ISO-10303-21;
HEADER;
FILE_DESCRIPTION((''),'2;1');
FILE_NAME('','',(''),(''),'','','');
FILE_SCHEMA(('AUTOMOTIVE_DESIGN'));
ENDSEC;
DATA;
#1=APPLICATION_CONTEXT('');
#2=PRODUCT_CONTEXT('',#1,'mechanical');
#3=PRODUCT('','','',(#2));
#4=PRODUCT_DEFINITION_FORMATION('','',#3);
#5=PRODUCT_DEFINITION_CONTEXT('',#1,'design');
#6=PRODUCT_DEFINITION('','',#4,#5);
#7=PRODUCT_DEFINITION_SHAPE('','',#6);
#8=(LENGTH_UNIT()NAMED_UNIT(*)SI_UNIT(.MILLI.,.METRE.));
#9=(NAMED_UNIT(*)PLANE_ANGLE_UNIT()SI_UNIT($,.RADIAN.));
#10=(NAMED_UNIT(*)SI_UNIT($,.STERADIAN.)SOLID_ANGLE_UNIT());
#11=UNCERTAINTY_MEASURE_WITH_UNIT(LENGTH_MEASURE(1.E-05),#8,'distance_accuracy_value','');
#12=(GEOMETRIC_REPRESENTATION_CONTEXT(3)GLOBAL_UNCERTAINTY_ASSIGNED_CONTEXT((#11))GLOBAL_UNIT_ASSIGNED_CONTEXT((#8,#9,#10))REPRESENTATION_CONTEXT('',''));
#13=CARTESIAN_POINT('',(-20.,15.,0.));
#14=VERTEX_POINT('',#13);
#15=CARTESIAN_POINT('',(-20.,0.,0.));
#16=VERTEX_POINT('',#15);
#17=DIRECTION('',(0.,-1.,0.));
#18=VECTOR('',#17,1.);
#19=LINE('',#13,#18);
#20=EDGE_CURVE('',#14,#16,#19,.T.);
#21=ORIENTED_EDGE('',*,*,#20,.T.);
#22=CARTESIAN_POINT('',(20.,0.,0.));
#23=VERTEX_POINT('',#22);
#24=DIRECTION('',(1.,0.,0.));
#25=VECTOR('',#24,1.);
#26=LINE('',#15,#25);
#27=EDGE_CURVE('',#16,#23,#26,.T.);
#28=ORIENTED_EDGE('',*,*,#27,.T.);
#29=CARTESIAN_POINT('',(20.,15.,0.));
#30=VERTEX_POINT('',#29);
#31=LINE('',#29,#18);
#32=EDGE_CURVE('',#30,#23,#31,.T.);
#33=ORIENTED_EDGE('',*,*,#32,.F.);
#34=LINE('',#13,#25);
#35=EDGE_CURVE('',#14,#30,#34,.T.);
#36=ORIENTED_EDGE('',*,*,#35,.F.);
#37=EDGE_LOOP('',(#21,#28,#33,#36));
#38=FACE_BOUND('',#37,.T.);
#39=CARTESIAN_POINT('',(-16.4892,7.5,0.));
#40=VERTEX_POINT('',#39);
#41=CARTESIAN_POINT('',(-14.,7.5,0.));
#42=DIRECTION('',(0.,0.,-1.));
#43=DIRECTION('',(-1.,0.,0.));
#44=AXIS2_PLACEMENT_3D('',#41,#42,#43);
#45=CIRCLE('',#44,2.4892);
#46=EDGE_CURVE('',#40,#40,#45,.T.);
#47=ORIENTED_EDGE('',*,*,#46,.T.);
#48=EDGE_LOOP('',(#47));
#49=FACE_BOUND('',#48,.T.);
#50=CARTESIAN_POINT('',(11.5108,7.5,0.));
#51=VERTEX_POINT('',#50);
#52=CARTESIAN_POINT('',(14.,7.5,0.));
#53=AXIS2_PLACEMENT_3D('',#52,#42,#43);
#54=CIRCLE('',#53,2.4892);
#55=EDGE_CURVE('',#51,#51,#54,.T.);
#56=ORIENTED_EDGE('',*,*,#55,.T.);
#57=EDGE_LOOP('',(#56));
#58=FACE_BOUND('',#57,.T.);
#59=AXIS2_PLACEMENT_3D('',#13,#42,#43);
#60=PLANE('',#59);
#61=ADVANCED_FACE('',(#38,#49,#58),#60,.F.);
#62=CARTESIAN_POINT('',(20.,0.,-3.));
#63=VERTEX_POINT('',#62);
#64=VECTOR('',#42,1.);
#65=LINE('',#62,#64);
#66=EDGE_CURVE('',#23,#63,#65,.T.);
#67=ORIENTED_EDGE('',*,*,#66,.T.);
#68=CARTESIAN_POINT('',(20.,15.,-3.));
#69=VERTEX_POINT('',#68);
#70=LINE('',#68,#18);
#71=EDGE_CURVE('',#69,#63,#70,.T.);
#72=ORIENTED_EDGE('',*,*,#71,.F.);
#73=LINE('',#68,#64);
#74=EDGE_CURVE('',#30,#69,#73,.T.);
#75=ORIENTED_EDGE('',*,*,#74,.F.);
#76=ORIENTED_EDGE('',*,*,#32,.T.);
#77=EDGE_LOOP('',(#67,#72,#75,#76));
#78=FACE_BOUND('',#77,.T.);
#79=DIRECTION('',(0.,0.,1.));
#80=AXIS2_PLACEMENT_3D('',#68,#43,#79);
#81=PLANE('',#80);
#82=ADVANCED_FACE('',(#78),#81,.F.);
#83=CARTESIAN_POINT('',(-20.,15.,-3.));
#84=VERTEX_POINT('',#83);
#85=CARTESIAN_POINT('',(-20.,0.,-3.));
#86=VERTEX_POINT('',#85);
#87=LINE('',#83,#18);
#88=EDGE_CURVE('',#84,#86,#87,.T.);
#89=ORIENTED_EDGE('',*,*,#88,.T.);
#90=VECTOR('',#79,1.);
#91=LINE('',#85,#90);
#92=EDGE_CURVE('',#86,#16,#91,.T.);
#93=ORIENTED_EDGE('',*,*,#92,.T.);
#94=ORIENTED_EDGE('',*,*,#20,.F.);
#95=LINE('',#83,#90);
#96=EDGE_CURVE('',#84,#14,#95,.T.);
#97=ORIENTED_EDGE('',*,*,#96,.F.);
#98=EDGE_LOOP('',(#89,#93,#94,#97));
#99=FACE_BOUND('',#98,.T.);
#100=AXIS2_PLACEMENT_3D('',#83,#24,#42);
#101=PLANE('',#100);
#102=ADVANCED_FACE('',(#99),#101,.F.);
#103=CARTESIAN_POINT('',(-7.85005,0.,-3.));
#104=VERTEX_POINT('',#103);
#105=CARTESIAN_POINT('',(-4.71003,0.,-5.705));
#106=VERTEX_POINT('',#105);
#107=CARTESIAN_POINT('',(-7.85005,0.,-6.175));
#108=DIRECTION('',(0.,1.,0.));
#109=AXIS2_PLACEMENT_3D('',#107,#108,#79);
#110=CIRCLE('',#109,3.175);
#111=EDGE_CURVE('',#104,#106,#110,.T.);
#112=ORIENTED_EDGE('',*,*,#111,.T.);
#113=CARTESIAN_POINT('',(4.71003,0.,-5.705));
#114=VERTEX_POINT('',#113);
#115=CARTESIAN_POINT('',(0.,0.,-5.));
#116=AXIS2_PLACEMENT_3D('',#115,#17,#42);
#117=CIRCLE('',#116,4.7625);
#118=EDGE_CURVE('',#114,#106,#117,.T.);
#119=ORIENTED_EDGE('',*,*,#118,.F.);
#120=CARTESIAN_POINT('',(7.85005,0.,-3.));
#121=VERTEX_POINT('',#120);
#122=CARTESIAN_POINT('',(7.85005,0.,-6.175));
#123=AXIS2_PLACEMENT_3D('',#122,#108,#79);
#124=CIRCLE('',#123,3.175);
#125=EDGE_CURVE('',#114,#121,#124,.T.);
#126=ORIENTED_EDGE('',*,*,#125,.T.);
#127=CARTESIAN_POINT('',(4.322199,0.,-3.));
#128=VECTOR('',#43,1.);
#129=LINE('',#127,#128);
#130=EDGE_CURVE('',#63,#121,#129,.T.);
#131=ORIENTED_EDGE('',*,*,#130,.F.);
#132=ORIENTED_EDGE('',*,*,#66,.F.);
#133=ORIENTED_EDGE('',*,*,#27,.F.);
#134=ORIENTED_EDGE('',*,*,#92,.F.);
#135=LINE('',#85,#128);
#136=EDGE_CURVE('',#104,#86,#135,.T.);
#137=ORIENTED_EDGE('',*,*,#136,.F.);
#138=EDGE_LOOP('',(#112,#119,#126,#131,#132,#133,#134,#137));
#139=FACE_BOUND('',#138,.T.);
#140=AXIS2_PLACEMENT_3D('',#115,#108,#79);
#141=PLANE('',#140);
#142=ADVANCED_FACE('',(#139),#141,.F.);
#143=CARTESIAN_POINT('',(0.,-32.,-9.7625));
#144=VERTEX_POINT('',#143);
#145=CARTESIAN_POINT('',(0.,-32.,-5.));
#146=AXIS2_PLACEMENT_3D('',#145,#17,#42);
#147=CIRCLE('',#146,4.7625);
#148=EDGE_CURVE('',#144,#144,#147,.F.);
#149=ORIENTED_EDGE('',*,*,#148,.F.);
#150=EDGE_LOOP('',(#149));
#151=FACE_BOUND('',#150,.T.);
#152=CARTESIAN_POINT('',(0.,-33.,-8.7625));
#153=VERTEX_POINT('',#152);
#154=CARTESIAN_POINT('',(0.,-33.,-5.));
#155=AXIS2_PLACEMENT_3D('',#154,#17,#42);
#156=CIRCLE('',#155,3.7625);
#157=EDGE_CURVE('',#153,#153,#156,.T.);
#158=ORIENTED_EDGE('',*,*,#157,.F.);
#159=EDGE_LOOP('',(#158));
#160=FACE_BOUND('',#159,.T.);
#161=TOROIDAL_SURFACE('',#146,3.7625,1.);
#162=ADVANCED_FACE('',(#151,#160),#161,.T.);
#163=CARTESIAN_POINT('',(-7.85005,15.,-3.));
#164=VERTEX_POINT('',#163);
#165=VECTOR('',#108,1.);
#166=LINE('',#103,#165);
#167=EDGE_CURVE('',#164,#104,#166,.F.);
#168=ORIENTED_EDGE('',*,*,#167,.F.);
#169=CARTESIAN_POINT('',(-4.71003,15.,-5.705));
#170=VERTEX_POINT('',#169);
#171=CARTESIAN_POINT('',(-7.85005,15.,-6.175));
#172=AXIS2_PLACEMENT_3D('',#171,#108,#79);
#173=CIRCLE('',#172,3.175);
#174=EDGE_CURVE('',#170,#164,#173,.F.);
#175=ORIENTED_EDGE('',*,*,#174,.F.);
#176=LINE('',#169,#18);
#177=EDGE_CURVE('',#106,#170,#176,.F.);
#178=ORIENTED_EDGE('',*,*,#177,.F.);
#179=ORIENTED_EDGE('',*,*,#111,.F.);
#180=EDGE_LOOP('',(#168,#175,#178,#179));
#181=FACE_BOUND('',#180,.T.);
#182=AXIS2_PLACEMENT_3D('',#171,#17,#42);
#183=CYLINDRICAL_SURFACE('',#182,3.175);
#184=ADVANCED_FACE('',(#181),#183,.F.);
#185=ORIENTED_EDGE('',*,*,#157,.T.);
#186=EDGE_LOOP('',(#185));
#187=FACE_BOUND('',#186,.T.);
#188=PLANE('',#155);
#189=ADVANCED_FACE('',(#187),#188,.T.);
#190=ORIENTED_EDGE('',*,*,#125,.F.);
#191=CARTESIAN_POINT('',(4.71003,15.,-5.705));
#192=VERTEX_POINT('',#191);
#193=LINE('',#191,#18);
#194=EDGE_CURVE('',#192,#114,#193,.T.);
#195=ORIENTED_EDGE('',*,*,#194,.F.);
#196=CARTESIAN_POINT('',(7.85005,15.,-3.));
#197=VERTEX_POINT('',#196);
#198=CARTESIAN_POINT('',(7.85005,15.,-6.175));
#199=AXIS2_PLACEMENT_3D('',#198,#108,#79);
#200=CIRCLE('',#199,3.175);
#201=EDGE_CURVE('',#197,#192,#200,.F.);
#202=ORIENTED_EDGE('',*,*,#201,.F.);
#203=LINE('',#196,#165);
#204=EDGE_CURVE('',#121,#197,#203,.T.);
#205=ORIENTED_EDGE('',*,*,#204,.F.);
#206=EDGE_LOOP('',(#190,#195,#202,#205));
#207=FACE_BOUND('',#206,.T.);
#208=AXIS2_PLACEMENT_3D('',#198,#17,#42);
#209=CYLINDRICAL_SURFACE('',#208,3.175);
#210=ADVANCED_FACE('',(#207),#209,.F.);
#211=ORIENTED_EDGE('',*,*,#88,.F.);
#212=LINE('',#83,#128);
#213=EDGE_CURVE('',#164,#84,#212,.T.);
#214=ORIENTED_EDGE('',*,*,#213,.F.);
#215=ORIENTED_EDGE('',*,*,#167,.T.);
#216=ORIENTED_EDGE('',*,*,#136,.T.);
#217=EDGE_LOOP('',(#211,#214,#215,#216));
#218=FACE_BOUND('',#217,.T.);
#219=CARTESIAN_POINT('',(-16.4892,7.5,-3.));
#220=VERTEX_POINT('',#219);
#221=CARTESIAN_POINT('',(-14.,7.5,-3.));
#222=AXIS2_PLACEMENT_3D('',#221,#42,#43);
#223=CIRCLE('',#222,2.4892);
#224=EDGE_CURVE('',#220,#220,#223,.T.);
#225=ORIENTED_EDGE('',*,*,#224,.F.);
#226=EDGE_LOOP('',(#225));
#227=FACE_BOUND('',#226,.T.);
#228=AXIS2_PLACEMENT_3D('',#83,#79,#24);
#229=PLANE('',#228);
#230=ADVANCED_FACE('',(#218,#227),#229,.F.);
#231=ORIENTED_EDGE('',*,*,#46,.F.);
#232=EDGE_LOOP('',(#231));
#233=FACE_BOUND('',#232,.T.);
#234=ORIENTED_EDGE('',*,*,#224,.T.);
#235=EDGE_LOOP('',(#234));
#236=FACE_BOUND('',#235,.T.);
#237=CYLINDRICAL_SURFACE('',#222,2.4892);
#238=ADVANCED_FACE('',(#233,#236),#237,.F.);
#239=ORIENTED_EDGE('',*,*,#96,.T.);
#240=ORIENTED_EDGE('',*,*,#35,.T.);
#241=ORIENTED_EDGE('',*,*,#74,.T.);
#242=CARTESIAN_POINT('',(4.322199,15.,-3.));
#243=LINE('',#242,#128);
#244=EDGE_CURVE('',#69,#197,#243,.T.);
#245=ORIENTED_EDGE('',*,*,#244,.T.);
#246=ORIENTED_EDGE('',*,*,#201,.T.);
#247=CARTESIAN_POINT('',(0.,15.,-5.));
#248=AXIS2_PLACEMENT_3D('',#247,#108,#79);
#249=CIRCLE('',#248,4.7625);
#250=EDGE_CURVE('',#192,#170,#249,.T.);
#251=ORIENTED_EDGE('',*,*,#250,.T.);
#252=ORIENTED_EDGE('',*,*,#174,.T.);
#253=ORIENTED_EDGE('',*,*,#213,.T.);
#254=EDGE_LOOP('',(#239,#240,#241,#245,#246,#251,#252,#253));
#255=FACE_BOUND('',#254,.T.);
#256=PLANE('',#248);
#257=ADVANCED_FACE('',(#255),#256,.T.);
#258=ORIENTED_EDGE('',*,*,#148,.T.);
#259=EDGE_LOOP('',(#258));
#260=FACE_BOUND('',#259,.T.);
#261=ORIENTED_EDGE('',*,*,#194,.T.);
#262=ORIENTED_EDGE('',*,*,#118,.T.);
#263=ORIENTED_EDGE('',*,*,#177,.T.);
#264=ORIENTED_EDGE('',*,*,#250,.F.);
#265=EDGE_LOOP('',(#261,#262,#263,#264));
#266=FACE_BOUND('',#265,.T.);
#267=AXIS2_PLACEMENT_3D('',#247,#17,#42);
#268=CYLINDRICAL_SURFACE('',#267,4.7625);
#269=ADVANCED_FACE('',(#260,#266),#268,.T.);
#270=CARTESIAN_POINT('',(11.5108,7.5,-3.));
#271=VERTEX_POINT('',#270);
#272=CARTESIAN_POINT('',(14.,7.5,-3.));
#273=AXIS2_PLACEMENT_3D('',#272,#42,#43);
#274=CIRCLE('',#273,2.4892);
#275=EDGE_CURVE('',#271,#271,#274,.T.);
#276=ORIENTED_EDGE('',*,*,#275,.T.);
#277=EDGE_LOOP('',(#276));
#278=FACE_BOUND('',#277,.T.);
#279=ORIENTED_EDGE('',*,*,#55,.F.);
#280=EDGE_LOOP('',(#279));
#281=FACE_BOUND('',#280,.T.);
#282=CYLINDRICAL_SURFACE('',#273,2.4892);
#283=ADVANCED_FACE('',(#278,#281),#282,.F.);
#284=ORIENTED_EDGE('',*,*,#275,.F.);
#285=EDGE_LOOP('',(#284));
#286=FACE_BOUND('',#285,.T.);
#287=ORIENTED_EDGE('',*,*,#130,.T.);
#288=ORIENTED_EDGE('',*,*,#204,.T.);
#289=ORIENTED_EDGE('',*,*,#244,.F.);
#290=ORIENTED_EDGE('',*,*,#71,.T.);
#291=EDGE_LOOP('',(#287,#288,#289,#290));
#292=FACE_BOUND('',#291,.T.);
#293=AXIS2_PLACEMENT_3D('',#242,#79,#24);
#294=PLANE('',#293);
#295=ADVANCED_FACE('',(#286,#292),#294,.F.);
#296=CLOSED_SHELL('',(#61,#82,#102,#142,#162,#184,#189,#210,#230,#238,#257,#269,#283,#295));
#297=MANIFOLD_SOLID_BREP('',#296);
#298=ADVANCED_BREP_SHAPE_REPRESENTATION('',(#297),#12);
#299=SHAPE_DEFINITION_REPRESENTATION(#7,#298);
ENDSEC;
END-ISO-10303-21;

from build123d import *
from build123d.topology import SkipClean

# Parameters (mm, degrees)
BOSS_EXTRUDE1_DEPTH    = 15
FILLET1_R              = 3.175
SKETCH2_R              = 4.7625
BOSS_EXTRUDE2_DEPTH    = 33
FILLET2_R              = 1
F_10_CLEARANCE_HOLE1_D = 4.9784


with BuildPart() as part:
    # Sketch1 → Boss-Extrude1 (new body)
    with BuildSketch(Plane(origin=(0, 0, 0), x_dir=(1, 0, 0), z_dir=(0, 1, 0))):
        with BuildLine():
            Line((-20, 3), (-4.322199, 3))
            ThreePointArc((-4.322199, 3), (0, 9.7625), (4.322199, 3))
            Line((4.322199, 3), (20, 3))
            Line((20, 3), (20, 0))
            Line((20, 0), (-20, 0))
            Line((-20, 0), (-20, 3))
        make_face()
    extrude(amount=BOSS_EXTRUDE1_DEPTH)

    # Fillet1
    fillet1_edges = [part.edges().sort_by_distance(p)[0] for p in [
        (-4.322199, 7.5, -3),
        (4.322199, 7.5, -3),
    ]]
    fillet(fillet1_edges, radius=FILLET1_R)

    # Sketch2 → Boss-Extrude2 (add)
    with SkipClean():  # keep this step's faces unmerged: merging them makes the solid invalid here
        with BuildSketch(Plane.XZ):
            with Locations(Location((0, -5, 0), (0, 0, 270))):  # turned: the seam where the file's is
                Circle(SKETCH2_R)
        extrude(amount=BOSS_EXTRUDE2_DEPTH)

    # Fillet2
    fillet2_edges = [part.edges().sort_by_distance(p)[0] for p in [
        (0, -33, -0.2375),
    ]]
    fillet(fillet2_edges, radius=FILLET2_R)

    # #10 Clearance Hole1 (through all)
    with Locations(Plane(origin=(0, 0, -3), x_dir=(-1, 0, 0), z_dir=(0, 0, -1))):
        with Locations((14, 7.5), (-14, 7.5)):
            Hole(F_10_CLEARANCE_HOLE1_D / 2)


solid = part.part
